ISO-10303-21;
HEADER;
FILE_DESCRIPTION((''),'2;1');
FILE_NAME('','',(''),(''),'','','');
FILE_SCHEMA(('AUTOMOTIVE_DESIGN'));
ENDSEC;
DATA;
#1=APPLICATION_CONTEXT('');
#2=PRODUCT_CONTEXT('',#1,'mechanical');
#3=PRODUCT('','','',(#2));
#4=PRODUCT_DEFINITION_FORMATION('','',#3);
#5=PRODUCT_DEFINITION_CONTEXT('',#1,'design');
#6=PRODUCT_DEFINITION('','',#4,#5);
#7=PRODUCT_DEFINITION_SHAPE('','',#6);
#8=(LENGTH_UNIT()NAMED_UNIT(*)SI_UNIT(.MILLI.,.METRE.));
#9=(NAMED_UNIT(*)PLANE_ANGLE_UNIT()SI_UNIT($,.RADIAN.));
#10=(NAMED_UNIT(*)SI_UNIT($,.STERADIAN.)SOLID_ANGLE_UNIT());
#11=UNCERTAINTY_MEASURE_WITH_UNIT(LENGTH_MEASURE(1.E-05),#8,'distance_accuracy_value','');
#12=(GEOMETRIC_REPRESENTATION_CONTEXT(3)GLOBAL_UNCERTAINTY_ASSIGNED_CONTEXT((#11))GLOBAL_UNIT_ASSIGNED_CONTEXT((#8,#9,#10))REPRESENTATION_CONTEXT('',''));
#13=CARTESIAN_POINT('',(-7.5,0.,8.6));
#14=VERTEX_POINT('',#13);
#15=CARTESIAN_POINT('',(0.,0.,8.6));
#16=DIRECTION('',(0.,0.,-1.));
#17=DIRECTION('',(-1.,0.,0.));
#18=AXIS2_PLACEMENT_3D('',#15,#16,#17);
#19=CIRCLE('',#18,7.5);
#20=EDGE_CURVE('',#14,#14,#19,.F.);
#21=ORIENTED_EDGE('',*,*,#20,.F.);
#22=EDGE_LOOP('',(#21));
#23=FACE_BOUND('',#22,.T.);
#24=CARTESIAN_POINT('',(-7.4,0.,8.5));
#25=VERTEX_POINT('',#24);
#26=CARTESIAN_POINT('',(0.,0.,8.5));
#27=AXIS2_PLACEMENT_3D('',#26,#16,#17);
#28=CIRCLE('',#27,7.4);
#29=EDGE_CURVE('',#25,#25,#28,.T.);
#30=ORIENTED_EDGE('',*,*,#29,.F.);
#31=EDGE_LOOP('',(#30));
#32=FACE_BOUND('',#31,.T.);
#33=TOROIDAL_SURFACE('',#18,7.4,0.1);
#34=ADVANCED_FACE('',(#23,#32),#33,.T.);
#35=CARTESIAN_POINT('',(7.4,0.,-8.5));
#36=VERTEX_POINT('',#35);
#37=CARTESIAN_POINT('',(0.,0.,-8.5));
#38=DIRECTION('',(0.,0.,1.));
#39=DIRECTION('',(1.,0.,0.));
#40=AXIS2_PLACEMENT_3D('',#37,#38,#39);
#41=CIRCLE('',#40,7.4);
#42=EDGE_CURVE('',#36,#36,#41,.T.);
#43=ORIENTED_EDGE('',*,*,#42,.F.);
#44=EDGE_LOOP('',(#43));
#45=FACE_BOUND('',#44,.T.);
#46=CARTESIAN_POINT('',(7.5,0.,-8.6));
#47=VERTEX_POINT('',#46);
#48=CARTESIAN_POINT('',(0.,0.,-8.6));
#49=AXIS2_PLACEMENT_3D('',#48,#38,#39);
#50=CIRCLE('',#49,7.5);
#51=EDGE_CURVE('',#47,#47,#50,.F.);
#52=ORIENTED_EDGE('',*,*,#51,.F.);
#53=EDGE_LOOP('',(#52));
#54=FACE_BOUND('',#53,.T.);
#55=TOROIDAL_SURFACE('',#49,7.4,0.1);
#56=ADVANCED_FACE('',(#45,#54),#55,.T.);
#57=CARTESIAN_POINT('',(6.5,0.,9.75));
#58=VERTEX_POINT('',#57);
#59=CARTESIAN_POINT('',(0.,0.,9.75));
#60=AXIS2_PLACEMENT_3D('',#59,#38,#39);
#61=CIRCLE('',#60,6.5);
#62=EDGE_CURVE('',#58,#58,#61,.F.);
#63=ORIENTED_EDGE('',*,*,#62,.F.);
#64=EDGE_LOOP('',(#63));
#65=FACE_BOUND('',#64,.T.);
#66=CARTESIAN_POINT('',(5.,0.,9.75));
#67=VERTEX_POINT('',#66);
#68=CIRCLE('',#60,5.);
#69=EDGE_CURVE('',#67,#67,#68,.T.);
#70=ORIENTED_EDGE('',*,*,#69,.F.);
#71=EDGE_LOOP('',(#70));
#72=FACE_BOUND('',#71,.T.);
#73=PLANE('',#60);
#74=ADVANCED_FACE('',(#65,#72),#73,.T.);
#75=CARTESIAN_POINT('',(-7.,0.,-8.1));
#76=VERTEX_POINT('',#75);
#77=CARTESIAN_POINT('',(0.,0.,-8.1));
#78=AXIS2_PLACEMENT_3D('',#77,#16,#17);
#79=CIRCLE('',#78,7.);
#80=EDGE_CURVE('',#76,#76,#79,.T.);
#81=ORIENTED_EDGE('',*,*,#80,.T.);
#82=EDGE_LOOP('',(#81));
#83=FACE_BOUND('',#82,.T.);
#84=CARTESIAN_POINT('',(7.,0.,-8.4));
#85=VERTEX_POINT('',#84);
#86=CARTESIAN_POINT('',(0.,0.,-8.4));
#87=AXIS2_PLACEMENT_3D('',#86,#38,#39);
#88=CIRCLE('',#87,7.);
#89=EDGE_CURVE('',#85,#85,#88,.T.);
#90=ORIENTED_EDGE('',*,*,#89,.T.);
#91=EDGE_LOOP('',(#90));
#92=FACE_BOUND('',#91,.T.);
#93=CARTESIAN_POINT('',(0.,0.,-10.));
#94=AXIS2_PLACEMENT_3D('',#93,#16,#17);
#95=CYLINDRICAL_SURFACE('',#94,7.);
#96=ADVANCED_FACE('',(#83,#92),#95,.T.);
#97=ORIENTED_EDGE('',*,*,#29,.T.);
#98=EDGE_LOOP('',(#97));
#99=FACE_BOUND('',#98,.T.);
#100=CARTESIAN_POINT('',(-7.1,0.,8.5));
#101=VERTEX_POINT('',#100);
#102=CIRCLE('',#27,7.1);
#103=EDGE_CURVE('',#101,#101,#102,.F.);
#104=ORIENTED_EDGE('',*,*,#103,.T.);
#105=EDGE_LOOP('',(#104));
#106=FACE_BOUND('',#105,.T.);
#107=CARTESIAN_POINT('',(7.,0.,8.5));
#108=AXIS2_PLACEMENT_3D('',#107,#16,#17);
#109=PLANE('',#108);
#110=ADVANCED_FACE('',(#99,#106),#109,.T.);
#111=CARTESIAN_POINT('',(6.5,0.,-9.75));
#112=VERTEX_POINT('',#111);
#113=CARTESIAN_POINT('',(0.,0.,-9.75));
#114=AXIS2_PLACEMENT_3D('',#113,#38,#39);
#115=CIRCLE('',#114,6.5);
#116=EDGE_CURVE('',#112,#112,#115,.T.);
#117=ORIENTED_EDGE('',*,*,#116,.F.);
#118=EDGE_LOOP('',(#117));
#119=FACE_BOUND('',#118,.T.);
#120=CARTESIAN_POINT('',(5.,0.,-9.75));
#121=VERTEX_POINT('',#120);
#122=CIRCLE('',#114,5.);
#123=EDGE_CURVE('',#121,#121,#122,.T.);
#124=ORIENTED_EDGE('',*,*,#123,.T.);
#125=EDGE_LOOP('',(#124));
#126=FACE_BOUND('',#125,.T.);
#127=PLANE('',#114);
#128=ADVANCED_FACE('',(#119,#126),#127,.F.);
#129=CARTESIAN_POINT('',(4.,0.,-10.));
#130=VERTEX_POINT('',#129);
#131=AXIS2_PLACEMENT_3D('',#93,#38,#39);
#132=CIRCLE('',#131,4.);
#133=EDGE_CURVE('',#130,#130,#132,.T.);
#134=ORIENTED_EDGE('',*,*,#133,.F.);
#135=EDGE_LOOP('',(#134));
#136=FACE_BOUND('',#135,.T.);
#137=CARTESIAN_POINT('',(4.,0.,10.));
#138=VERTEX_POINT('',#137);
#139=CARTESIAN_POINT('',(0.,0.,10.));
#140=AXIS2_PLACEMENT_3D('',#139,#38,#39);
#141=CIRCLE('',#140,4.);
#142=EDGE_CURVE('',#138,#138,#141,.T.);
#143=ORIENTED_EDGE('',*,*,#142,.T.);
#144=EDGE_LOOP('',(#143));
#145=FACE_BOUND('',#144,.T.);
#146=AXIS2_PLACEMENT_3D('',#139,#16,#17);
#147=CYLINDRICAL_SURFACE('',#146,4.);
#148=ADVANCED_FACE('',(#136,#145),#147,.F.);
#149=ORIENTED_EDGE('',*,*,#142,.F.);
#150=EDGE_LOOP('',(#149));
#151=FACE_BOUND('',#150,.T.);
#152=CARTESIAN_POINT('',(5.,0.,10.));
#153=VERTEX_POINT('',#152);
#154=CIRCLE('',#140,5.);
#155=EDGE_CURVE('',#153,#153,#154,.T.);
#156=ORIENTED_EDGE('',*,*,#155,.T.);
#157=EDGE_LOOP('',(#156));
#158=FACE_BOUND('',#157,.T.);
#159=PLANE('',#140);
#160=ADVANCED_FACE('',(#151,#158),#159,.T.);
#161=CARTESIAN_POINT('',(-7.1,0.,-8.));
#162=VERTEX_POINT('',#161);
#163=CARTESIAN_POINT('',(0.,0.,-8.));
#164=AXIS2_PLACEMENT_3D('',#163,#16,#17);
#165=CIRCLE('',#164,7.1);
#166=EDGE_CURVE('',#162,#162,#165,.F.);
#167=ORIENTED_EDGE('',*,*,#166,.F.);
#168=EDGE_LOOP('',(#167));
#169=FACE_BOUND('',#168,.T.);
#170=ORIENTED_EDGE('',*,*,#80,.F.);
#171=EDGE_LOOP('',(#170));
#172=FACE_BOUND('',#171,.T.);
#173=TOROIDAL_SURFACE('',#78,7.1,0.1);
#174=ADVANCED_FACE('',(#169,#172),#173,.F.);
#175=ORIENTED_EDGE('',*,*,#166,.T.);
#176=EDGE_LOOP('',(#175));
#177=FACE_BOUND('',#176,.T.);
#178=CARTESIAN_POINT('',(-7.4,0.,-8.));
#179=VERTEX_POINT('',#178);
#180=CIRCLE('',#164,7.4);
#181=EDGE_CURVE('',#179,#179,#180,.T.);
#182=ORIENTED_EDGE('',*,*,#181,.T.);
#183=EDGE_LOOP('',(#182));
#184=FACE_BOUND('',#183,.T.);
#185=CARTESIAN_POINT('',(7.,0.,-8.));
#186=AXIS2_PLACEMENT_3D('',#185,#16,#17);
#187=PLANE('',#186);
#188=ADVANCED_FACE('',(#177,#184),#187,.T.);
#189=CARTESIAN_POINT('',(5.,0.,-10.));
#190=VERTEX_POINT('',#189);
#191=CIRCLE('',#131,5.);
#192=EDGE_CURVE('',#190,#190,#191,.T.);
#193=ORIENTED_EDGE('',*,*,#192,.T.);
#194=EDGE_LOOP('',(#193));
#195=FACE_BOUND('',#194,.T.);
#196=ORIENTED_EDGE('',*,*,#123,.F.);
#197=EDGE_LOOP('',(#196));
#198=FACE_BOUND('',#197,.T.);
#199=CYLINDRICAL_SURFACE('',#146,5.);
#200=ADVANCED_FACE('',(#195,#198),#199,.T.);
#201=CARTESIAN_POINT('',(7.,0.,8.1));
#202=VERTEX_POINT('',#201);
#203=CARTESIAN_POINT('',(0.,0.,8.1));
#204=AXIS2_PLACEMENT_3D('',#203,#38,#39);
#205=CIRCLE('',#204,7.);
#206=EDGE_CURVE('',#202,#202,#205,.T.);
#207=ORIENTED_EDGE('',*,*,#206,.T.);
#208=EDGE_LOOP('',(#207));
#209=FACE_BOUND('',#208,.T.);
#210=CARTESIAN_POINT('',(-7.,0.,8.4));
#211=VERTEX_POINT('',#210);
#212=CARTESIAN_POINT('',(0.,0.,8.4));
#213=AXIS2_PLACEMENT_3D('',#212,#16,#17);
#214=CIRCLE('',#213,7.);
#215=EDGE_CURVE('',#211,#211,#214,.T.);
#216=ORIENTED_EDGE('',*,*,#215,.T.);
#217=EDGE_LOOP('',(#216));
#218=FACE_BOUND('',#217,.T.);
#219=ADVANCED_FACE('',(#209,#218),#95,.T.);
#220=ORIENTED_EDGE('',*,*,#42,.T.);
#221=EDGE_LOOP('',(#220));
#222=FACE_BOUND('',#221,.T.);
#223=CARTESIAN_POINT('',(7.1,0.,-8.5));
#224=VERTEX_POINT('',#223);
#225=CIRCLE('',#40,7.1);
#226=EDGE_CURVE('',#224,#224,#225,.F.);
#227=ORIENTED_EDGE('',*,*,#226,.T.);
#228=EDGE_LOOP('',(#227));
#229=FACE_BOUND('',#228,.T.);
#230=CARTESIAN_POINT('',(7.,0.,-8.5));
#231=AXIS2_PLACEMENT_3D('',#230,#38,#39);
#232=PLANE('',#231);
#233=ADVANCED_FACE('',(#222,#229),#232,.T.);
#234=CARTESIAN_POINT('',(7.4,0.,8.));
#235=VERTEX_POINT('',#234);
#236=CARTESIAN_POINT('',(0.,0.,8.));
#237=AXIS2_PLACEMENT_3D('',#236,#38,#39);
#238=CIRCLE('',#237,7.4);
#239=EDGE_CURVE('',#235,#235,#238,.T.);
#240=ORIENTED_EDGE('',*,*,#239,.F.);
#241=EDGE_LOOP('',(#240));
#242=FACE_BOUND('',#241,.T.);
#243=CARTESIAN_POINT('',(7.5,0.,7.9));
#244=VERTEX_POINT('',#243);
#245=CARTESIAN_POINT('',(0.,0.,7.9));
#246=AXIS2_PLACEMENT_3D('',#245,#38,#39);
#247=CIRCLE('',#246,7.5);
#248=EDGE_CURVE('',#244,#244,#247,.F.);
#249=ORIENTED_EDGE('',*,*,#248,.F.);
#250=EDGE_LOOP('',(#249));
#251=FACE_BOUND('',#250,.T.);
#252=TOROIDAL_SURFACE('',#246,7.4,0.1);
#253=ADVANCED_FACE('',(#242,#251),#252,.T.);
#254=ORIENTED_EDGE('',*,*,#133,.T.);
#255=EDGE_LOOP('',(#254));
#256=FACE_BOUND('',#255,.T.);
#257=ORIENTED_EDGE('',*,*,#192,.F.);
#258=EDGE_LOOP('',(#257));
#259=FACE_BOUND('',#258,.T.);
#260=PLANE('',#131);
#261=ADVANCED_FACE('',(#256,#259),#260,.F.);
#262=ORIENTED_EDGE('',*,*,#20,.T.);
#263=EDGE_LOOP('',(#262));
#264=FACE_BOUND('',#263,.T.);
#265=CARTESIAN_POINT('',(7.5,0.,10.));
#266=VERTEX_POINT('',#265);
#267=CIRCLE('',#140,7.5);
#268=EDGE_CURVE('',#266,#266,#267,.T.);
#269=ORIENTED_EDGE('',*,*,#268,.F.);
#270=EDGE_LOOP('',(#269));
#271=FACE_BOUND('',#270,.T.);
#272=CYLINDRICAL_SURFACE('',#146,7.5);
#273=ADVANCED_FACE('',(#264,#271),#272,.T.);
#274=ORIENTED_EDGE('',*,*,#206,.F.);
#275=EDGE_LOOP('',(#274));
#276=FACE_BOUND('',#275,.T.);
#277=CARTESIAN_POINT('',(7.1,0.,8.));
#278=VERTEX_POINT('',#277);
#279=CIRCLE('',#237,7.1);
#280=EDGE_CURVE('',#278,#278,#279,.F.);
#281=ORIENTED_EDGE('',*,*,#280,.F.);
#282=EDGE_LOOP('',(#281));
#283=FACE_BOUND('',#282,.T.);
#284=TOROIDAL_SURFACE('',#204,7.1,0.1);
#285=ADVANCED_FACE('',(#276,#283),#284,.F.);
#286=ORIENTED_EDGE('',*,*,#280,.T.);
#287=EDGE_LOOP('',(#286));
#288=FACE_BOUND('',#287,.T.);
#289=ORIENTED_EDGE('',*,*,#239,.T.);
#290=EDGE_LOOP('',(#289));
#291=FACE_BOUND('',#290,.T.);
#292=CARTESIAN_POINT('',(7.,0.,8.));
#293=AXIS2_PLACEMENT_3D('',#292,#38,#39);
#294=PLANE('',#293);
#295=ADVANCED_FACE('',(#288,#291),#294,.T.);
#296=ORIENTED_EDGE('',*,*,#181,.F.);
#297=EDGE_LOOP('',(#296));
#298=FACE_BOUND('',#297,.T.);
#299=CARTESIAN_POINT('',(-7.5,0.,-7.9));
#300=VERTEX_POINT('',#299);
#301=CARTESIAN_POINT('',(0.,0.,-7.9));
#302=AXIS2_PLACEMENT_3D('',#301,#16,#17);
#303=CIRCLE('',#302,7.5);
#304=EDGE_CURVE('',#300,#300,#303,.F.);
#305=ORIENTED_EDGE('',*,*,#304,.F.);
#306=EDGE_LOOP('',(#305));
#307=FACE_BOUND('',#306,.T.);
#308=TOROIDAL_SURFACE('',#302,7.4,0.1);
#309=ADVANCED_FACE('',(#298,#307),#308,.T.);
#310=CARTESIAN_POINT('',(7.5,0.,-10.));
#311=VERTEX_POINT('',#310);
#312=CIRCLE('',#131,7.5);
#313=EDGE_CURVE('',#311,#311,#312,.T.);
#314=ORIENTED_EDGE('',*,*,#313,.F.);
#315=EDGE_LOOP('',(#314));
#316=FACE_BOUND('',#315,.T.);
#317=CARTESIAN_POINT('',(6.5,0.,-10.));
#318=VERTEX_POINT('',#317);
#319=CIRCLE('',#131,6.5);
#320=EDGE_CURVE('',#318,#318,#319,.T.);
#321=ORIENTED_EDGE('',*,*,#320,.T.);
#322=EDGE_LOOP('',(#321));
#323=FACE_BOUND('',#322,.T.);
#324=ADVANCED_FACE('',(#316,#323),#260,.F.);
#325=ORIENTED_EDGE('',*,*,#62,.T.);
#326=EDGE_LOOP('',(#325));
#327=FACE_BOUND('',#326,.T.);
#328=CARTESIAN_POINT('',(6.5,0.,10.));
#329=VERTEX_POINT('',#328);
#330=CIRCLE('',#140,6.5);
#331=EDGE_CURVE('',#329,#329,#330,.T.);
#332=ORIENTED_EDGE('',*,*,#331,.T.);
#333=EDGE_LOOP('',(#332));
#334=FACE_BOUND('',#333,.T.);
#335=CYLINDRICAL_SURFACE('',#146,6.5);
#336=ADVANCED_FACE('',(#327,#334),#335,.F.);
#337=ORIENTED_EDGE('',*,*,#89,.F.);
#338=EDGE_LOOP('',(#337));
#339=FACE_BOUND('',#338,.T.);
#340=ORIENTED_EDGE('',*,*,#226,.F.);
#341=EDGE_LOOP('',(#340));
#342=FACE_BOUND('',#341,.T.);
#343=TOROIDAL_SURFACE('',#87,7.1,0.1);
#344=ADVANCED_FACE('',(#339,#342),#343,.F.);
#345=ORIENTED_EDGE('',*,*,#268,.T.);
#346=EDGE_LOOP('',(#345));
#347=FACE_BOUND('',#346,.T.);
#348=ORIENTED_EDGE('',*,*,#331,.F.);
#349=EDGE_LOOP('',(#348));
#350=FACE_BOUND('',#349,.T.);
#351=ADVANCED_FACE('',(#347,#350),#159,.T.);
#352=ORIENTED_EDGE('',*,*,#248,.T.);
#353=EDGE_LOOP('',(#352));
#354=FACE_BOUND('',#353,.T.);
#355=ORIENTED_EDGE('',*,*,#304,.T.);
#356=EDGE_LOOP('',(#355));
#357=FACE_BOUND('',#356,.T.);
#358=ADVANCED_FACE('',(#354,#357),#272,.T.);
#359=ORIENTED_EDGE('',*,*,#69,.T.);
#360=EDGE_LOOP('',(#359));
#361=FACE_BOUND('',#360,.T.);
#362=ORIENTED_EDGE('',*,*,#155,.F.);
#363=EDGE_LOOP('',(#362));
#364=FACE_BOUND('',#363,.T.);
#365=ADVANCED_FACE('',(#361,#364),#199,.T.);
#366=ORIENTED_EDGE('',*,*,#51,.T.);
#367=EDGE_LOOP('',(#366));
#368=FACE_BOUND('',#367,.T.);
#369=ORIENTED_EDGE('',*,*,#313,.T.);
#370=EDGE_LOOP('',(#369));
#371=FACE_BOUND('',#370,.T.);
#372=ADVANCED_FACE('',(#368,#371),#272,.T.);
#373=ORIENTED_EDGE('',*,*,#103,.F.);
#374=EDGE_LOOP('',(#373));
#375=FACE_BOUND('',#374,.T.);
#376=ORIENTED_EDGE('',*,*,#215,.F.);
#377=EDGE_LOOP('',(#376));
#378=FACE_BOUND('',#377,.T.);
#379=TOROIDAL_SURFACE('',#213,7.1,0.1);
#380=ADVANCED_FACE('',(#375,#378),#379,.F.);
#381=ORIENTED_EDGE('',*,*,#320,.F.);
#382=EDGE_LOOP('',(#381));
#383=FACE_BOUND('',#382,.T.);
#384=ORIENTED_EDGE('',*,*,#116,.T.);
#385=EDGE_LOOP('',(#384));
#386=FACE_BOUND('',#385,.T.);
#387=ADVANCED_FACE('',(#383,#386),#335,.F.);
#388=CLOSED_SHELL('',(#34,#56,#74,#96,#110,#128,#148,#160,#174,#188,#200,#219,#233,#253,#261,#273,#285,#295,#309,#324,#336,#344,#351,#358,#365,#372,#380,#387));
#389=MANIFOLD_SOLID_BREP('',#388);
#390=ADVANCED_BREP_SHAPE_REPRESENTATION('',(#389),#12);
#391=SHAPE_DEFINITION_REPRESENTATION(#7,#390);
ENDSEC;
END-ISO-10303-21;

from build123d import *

# Parameters (mm, degrees)
SKETCH2_R             = 7.5
SKETCH2_R_2           = 6.5
BOSS_EXTRUDE1_DEPTH   = 10
SKETCH2_R_3           = 5
SKETCH2_R_4           = 4
BOSS_EXTRUDE1_2_DEPTH = 10
SKETCH2_3_R           = 6.5
SKETCH2_3_R_2         = 5
BOSS_EXTRUDE2_DEPTH   = 9.75
SKETCH3_W             = 1
SKETCH3_H             = 0.5
FILLET1_R             = 0.1


with BuildPart() as part:
    # Sketch2 → Boss-Extrude1 (new, symmetric)
    with BuildSketch(Plane.XY):
        Circle(SKETCH2_R)
        Circle(SKETCH2_R_2, mode=Mode.SUBTRACT)
    extrude(amount=BOSS_EXTRUDE1_DEPTH, both=True)



with BuildPart() as body_2:
    # Sketch2 → Boss-Extrude1 2 (new, symmetric)
    with BuildSketch(Plane.XY):
        Circle(SKETCH2_R_3)
        Circle(SKETCH2_R_4, mode=Mode.SUBTRACT)
    extrude(amount=BOSS_EXTRUDE1_2_DEPTH, both=True)


with BuildPart() as part_1:
    add(part.part)

    add(body_2.part)  # Boss-Extrude2 merges body 2
    # Sketch2<3> → Boss-Extrude2 (add, symmetric)
    with BuildSketch(Plane.XY):
        Circle(SKETCH2_3_R)
        Circle(SKETCH2_3_R_2, mode=Mode.SUBTRACT)
    extrude(amount=BOSS_EXTRUDE2_DEPTH, both=True)

    # Sketch3 → Cut-Revolve1 (revolve, cut)
    with BuildSketch(Plane(origin=(0, 0, 0), x_dir=(1, 0, 0), z_dir=(0, 1, 0))):
        with Locations((7.5, 8.25)):
            Rectangle(SKETCH3_W, SKETCH3_H)
        with Locations((7.5, -8.25)):
            Rectangle(SKETCH3_W, SKETCH3_H)
    revolve(axis=Axis((0, 0, -10), (0, 0, 1)), mode=Mode.SUBTRACT)

    # Fillet1
    fillet1_edges = [part_1.edges().sort_by_distance(p)[0] for p in [
        (-7, 0, -8.5),
        (-7.5, 0, -8.5),
        (-7, 0, -8),
        (-7.5, 0, -8),
        (-7, 0, 8.5),
        (-7, 0, 8),
        (-7.5, 0, 8),
        (-7.5, 0, 8.5),
    ]]
    fillet(fillet1_edges, radius=FILLET1_R)


solid = part_1.part
